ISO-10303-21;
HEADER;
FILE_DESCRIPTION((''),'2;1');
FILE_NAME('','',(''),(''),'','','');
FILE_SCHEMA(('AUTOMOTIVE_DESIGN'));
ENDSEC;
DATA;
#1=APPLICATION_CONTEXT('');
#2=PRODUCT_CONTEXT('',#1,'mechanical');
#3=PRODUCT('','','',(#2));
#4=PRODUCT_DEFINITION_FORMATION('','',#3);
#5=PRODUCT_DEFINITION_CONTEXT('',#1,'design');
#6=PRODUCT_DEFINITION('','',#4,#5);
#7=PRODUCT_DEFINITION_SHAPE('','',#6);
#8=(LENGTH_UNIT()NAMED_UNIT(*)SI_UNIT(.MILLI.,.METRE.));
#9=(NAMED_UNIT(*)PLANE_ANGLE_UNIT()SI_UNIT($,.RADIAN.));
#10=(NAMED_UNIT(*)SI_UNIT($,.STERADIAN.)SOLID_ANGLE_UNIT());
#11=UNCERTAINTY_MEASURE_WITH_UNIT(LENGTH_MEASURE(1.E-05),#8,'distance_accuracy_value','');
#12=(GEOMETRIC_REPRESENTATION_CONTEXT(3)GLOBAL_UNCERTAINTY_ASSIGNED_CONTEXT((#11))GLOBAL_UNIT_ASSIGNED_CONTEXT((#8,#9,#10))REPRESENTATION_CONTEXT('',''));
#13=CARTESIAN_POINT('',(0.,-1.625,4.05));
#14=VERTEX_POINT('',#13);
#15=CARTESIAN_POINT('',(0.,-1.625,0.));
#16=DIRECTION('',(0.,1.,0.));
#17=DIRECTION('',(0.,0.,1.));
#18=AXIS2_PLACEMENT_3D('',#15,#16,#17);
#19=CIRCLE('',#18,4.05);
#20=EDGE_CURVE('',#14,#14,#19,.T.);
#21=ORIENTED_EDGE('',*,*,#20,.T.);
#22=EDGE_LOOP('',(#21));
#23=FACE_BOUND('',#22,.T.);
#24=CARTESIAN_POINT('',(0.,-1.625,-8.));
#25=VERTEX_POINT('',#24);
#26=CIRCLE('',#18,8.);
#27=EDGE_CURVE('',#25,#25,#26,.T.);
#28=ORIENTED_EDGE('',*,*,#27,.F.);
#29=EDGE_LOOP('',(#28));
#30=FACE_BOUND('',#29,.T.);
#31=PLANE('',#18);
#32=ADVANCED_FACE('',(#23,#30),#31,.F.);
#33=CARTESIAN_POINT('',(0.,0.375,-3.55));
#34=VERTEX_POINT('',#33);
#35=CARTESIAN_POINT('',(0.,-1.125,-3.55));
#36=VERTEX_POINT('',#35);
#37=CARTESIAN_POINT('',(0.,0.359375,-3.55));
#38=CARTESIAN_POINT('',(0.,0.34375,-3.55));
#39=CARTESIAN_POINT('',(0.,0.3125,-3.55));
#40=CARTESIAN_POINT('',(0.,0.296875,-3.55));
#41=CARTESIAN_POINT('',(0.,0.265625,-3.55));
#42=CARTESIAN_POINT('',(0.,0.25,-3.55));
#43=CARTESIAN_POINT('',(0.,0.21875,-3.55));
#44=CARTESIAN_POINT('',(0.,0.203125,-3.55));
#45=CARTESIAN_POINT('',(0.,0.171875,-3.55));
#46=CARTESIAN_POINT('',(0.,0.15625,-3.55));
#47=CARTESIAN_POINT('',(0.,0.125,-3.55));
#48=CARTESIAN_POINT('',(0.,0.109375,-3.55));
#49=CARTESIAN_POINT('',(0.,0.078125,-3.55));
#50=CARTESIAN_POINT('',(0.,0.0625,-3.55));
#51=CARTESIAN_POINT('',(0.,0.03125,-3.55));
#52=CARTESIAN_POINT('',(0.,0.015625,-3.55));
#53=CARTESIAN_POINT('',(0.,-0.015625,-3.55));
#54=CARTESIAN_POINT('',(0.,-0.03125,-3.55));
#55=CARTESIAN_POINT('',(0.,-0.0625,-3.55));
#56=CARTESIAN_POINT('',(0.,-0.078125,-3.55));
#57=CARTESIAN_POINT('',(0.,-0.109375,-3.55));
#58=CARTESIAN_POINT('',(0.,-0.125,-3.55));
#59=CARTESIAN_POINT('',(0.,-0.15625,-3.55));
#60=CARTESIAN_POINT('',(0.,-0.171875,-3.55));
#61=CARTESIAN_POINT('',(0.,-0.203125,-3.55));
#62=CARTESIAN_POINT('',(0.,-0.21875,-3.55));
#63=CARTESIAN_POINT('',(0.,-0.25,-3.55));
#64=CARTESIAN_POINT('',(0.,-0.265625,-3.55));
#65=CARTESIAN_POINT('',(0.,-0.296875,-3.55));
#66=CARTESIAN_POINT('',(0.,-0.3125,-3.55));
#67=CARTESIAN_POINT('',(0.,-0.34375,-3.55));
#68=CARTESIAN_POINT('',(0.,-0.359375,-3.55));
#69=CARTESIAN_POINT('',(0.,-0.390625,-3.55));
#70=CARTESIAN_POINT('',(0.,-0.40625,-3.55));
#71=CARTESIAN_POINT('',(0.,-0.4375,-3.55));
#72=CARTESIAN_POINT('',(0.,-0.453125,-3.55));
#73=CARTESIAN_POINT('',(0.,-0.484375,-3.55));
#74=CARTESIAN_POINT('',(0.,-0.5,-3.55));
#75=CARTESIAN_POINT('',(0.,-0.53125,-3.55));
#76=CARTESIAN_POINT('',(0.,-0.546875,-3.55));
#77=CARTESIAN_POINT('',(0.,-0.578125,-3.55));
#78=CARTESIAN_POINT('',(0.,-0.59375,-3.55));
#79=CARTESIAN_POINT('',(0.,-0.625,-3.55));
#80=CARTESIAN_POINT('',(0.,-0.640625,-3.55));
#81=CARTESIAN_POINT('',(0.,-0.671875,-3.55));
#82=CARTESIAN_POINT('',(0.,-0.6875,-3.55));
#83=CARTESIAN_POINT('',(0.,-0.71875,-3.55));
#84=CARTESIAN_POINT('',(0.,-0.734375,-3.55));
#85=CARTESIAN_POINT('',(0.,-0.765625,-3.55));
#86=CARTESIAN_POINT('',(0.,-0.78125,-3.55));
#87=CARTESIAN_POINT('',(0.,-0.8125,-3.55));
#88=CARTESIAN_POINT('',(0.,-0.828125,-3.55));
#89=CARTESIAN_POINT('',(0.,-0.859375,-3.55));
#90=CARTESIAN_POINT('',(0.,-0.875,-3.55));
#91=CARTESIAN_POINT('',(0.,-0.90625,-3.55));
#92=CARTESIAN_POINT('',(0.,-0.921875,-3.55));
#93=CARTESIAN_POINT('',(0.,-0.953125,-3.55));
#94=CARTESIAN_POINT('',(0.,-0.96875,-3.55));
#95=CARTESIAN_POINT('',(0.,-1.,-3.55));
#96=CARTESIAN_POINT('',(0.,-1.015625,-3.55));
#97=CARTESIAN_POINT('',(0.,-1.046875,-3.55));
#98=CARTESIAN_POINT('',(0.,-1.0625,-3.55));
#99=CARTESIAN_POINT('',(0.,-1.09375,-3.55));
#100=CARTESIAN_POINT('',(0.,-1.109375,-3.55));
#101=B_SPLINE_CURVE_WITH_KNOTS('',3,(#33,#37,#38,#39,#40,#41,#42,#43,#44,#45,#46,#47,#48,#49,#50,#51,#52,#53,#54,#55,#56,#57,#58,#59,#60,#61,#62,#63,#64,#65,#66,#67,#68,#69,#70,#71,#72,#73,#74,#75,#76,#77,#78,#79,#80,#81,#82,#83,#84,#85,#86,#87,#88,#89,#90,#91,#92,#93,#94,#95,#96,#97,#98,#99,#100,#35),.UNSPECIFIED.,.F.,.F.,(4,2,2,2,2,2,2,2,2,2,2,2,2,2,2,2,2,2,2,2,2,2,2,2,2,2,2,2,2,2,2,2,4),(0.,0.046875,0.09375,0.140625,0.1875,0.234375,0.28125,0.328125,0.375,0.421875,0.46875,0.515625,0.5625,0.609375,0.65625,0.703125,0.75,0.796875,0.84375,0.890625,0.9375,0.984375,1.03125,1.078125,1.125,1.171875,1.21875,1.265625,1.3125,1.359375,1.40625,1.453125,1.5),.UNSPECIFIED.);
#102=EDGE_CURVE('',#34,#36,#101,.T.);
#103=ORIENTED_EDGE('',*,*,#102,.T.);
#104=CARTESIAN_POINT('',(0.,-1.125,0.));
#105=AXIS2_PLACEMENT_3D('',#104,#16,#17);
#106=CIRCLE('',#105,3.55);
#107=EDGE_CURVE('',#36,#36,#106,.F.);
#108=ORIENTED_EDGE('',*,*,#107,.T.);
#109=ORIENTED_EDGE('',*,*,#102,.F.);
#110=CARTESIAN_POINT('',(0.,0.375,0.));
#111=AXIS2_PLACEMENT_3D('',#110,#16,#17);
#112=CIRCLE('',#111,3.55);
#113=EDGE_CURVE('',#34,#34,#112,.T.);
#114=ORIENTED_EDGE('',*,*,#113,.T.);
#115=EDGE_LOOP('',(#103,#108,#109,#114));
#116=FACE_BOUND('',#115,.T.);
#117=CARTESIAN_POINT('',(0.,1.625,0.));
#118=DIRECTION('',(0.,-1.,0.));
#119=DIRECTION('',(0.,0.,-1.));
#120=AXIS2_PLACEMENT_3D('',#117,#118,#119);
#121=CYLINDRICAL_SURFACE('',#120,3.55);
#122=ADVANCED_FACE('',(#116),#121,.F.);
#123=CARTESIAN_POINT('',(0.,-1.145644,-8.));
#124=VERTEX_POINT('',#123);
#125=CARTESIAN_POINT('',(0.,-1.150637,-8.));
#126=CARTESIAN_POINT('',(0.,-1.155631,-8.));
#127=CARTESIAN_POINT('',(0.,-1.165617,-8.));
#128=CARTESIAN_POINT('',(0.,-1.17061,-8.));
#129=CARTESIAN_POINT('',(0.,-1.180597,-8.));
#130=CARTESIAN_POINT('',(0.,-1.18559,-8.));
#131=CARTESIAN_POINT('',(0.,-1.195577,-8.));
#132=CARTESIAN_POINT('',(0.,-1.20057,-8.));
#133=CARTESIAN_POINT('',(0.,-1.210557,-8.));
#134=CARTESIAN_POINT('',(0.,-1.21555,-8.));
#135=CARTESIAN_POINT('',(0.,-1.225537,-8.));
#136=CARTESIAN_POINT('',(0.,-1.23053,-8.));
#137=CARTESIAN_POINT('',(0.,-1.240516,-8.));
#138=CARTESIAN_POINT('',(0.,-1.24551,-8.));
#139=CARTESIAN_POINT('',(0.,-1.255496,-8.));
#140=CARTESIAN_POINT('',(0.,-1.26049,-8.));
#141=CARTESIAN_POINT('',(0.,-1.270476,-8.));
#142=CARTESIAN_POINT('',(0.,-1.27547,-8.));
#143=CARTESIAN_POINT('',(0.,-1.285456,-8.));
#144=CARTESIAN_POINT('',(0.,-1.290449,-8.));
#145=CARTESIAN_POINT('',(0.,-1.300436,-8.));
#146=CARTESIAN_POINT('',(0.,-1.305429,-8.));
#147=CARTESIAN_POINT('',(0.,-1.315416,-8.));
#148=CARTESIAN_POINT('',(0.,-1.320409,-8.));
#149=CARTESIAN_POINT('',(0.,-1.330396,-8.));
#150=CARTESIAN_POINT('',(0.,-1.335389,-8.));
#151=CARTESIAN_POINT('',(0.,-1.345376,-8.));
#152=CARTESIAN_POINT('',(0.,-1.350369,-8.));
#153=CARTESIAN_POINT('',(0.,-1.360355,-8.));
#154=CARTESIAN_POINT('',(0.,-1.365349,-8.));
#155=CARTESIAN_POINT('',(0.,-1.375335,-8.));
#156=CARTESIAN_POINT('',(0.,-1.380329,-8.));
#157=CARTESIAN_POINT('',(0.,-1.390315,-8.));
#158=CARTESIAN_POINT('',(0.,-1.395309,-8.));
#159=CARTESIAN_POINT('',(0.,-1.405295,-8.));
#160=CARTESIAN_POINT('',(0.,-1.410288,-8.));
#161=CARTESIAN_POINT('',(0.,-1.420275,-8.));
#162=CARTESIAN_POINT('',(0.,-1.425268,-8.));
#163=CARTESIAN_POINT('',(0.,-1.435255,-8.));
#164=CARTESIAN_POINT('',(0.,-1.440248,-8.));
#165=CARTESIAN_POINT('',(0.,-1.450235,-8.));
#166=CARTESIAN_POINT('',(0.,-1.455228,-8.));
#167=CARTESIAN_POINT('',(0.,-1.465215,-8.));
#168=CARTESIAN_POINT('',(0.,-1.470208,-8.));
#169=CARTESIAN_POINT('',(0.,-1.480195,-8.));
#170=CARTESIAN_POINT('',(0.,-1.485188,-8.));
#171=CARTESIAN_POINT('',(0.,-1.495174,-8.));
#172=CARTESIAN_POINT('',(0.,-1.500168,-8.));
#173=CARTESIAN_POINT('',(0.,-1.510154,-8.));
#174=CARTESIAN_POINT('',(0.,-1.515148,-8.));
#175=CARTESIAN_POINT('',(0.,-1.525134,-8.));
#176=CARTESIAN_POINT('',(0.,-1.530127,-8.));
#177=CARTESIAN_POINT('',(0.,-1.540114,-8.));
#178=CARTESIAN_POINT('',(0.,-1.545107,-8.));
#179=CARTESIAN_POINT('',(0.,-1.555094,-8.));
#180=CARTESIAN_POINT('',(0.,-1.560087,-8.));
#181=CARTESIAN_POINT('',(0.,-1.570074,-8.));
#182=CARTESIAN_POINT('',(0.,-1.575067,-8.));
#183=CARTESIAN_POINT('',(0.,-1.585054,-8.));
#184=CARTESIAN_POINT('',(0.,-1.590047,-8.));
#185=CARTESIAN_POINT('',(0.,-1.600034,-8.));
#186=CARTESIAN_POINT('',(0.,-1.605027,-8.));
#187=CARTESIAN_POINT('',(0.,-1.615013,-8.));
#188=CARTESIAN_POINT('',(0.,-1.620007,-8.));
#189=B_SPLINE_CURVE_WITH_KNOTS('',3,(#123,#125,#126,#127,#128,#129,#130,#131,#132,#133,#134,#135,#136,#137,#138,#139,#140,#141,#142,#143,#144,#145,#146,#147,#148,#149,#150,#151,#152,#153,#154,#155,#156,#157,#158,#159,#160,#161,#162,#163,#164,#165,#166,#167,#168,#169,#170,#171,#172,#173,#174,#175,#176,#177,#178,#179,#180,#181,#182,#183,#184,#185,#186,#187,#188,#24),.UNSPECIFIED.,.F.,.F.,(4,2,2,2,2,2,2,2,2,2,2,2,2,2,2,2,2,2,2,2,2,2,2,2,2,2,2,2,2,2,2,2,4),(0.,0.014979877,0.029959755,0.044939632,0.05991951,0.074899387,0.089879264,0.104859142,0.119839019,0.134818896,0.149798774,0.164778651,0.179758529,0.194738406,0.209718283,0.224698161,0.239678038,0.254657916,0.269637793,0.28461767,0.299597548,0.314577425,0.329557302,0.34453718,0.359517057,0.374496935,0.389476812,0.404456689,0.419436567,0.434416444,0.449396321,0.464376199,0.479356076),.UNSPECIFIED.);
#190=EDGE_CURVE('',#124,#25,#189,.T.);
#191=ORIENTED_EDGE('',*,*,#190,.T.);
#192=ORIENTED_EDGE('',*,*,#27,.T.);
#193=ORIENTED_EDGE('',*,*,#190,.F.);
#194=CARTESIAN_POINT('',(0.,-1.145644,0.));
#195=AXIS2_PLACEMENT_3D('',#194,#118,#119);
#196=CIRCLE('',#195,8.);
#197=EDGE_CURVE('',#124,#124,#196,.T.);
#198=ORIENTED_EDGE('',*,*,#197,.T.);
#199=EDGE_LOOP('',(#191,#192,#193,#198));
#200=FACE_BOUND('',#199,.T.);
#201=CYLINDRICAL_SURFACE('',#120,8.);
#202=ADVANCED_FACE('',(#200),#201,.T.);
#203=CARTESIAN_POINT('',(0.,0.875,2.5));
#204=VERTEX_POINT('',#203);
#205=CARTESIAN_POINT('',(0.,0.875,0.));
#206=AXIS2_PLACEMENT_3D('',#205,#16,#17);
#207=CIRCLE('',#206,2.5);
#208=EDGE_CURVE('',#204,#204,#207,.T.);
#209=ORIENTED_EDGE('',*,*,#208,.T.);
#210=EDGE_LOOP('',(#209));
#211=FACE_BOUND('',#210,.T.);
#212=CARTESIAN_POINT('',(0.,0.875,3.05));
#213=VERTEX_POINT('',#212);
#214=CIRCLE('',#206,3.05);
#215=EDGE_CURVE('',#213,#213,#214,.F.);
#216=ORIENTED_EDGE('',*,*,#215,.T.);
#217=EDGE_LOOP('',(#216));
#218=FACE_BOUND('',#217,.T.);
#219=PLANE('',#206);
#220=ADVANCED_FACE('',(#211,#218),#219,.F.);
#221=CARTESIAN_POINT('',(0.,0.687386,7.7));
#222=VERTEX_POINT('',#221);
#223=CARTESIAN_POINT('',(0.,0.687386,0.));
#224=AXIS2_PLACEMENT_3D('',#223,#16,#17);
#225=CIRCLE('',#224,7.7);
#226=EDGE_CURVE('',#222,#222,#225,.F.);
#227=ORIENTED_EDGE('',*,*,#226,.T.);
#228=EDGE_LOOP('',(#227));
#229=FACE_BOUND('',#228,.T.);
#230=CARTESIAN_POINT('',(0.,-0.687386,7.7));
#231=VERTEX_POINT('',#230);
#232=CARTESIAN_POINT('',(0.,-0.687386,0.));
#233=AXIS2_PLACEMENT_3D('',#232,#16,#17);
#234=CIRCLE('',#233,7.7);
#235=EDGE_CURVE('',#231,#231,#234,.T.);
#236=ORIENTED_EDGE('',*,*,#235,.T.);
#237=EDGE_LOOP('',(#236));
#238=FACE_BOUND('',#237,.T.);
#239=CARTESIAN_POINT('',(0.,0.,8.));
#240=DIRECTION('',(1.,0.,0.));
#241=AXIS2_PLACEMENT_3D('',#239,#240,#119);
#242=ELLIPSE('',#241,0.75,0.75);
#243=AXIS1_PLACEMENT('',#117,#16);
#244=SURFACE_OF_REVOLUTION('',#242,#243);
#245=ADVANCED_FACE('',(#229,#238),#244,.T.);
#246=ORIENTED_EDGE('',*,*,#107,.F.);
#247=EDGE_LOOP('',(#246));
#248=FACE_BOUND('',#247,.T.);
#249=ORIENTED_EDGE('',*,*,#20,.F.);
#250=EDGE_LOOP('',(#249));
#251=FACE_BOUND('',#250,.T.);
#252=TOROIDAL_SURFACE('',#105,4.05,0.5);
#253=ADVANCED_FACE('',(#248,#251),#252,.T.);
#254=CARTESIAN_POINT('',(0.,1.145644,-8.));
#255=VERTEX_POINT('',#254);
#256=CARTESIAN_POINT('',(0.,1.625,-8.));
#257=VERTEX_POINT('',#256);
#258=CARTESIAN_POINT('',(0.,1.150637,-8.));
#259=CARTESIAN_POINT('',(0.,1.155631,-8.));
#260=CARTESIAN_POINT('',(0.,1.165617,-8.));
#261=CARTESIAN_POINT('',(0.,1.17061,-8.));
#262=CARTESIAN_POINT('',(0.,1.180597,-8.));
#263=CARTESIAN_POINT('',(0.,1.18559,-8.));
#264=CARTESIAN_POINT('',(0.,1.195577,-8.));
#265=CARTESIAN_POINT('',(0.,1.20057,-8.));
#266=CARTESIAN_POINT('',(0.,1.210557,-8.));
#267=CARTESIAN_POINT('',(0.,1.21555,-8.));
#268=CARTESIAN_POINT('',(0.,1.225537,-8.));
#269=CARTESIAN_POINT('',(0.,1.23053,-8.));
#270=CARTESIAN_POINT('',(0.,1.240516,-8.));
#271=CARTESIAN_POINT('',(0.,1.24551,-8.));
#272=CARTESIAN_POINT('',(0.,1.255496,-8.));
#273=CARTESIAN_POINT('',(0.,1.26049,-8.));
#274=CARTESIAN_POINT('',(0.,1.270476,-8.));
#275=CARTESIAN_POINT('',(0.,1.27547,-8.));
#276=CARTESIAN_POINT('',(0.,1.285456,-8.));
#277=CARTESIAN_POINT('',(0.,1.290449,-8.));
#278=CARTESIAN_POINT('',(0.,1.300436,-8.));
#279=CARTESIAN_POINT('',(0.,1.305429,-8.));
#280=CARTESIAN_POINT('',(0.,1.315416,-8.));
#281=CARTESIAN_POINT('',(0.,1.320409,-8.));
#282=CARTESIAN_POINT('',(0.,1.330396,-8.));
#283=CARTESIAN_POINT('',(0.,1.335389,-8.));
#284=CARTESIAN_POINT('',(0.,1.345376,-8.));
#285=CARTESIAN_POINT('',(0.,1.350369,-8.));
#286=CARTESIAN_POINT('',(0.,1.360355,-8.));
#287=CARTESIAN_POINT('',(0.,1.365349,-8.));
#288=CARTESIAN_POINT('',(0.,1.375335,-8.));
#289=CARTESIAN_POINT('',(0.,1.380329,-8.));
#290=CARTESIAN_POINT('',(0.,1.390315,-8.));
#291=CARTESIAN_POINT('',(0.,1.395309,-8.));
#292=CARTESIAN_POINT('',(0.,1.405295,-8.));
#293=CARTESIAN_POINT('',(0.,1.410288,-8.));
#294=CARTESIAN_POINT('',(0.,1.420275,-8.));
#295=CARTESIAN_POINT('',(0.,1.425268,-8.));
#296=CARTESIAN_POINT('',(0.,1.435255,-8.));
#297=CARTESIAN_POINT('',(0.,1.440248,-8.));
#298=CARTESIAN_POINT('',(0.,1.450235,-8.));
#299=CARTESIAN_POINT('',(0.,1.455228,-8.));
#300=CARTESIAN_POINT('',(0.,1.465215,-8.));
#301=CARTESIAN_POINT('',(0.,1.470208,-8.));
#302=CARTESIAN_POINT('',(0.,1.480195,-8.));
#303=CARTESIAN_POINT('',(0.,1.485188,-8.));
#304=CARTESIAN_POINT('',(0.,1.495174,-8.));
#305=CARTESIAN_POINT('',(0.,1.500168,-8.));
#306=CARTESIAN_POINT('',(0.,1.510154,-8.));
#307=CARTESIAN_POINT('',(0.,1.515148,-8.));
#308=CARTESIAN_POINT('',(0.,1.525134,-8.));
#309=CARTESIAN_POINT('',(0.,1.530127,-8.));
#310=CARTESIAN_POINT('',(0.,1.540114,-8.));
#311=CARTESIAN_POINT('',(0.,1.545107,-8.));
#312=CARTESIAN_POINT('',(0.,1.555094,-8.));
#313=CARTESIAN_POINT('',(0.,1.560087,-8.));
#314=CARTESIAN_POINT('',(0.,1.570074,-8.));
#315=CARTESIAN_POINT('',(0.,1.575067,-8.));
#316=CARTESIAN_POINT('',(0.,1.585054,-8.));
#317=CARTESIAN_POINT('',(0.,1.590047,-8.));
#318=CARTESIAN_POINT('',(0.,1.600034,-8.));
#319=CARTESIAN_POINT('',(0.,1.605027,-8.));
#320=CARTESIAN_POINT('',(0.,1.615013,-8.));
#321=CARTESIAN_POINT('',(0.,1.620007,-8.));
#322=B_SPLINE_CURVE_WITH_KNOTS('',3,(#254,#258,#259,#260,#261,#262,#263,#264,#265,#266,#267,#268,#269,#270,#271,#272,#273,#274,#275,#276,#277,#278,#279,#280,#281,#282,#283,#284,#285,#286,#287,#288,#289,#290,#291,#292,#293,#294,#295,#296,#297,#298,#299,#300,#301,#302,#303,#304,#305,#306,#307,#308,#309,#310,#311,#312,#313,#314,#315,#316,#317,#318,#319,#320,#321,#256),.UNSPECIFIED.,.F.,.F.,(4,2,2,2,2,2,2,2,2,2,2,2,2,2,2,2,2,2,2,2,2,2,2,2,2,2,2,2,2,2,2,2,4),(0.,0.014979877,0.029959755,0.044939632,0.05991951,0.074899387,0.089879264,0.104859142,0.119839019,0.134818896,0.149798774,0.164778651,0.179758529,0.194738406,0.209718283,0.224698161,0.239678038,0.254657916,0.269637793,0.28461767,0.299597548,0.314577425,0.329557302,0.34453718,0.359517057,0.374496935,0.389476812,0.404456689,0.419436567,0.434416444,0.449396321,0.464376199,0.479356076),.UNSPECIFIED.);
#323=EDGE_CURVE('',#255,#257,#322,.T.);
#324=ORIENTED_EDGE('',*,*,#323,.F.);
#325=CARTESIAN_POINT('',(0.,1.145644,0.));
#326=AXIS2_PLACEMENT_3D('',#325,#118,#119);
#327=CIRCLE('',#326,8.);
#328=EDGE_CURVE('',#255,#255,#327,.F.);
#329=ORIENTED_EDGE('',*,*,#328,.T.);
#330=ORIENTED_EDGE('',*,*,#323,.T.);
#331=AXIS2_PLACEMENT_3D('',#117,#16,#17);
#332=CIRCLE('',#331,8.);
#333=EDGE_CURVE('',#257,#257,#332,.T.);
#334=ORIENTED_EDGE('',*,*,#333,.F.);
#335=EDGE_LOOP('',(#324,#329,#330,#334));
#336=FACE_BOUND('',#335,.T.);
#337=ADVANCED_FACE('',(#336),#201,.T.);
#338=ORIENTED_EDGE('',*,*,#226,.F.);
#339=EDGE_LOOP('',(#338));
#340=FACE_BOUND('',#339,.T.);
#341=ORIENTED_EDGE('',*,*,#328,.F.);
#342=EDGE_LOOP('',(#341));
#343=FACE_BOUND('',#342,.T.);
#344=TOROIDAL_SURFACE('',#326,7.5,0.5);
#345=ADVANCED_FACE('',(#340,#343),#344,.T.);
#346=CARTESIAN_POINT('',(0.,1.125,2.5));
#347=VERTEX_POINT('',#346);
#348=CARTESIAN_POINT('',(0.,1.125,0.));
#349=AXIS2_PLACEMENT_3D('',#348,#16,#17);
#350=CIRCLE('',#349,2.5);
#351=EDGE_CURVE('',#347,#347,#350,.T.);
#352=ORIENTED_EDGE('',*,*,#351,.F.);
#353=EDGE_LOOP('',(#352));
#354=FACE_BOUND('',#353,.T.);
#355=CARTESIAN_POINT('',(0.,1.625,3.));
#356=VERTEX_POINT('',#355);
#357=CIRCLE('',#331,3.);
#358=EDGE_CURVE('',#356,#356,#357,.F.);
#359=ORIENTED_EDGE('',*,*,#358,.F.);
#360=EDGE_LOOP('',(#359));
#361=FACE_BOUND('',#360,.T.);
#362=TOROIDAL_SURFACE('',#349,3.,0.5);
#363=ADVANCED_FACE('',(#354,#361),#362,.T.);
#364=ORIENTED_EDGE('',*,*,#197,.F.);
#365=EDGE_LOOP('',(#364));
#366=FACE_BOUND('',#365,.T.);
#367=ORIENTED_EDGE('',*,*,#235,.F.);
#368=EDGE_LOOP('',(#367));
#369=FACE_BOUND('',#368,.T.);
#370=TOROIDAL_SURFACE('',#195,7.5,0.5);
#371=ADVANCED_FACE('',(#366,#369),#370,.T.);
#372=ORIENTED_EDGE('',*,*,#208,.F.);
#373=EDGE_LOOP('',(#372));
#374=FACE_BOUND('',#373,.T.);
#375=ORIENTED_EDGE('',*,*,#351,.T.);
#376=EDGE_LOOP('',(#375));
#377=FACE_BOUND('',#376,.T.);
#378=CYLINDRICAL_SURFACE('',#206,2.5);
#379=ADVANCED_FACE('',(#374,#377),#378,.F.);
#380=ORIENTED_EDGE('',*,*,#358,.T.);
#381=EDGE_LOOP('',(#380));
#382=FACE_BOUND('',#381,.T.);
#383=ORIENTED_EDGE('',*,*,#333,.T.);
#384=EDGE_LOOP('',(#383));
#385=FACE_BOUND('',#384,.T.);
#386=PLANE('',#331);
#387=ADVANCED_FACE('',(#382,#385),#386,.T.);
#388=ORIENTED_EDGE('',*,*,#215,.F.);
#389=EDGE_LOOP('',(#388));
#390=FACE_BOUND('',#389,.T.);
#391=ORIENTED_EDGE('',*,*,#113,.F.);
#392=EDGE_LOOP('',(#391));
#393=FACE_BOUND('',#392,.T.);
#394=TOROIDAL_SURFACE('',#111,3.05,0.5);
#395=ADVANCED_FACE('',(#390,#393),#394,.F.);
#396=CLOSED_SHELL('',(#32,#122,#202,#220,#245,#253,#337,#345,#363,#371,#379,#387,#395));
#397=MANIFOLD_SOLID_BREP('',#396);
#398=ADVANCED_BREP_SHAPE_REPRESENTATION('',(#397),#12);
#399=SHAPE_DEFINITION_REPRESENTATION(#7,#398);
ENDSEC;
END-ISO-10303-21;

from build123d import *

# Parameters (mm, degrees)
SKETCH1_R           = 8
SKETCH1_R_2         = 3.55
BOSS_EXTRUDE1_DEPTH = 1.625
SKETCH3_R           = 4
SKETCH3_R_2         = 2.5
BOSS_EXTRUDE2_DEPTH = 0.75
FILLET1_R           = 0.5


with BuildPart() as part:
    # Sketch1 → Boss-Extrude1 (new, symmetric)
    with BuildSketch(Plane(origin=(0, 0, 0), x_dir=(1, 0, 0), z_dir=(0, 1, 0))):
        with Locations(Location((0, 0, 0), (0, 0, 90))):
            Circle(SKETCH1_R)
        with Locations(Location((0, 0, 0), (0, 0, 90))):
            Circle(SKETCH1_R_2, mode=Mode.SUBTRACT)
    extrude(amount=BOSS_EXTRUDE1_DEPTH, both=True)

    # Sketch2 → Cut-Revolve1 (revolve, cut)
    with BuildSketch(Plane(origin=(0, 0, 0), x_dir=(0, 0, -1), z_dir=(1, 0, 0)), mode=Mode.PRIVATE) as cut_revolve1_sk:
        with BuildLine():
            Line((-8, 0.75), (-8, -0.75))
            add(Edge.make_bspline(
                [(-8, -0.75), (-7.25, -0.75), (-7.25, 0), (-7.25, 0.75), (-8, 0.75)],
                knots=[4.71238898, 4.71238898, 4.71238898, 6.283185307, 6.283185307, 7.853981634, 7.853981634, 7.853981634], degree=2, weights=[1, 0.707106781, 1, 0.707106781, 1]))
        make_face()
    revolve(cut_revolve1_sk.sketch.rotate(Axis((0, 1.625, 0), (0, -1, 0)), 180), axis=Axis((0, 1.625, 0), (0, -1, 0)), mode=Mode.SUBTRACT)

    # Sketch3 → Boss-Extrude2 (add)
    with BuildSketch(Plane(origin=(0, 1.625, 0), x_dir=(1, 0, 0), z_dir=(0, 1, 0))):
        Circle(SKETCH3_R)
        with Locations(Location((0, 0, 0), (0, 0, 270))):
            Circle(SKETCH3_R_2, mode=Mode.SUBTRACT)
    extrude(amount=-BOSS_EXTRUDE2_DEPTH)

    # Fillet1
    fillet1_edges = [part.edges().sort_by_distance(p)[0] for p in [
        (0, 0.75, 8),
        (0, -0.75, 8),
        (0, 0.875, 3.55),
        (0, 1.625, -2.5),
        (0, -1.625, 3.55),
    ]]
    fillet(fillet1_edges, radius=FILLET1_R)


solid = part.part
